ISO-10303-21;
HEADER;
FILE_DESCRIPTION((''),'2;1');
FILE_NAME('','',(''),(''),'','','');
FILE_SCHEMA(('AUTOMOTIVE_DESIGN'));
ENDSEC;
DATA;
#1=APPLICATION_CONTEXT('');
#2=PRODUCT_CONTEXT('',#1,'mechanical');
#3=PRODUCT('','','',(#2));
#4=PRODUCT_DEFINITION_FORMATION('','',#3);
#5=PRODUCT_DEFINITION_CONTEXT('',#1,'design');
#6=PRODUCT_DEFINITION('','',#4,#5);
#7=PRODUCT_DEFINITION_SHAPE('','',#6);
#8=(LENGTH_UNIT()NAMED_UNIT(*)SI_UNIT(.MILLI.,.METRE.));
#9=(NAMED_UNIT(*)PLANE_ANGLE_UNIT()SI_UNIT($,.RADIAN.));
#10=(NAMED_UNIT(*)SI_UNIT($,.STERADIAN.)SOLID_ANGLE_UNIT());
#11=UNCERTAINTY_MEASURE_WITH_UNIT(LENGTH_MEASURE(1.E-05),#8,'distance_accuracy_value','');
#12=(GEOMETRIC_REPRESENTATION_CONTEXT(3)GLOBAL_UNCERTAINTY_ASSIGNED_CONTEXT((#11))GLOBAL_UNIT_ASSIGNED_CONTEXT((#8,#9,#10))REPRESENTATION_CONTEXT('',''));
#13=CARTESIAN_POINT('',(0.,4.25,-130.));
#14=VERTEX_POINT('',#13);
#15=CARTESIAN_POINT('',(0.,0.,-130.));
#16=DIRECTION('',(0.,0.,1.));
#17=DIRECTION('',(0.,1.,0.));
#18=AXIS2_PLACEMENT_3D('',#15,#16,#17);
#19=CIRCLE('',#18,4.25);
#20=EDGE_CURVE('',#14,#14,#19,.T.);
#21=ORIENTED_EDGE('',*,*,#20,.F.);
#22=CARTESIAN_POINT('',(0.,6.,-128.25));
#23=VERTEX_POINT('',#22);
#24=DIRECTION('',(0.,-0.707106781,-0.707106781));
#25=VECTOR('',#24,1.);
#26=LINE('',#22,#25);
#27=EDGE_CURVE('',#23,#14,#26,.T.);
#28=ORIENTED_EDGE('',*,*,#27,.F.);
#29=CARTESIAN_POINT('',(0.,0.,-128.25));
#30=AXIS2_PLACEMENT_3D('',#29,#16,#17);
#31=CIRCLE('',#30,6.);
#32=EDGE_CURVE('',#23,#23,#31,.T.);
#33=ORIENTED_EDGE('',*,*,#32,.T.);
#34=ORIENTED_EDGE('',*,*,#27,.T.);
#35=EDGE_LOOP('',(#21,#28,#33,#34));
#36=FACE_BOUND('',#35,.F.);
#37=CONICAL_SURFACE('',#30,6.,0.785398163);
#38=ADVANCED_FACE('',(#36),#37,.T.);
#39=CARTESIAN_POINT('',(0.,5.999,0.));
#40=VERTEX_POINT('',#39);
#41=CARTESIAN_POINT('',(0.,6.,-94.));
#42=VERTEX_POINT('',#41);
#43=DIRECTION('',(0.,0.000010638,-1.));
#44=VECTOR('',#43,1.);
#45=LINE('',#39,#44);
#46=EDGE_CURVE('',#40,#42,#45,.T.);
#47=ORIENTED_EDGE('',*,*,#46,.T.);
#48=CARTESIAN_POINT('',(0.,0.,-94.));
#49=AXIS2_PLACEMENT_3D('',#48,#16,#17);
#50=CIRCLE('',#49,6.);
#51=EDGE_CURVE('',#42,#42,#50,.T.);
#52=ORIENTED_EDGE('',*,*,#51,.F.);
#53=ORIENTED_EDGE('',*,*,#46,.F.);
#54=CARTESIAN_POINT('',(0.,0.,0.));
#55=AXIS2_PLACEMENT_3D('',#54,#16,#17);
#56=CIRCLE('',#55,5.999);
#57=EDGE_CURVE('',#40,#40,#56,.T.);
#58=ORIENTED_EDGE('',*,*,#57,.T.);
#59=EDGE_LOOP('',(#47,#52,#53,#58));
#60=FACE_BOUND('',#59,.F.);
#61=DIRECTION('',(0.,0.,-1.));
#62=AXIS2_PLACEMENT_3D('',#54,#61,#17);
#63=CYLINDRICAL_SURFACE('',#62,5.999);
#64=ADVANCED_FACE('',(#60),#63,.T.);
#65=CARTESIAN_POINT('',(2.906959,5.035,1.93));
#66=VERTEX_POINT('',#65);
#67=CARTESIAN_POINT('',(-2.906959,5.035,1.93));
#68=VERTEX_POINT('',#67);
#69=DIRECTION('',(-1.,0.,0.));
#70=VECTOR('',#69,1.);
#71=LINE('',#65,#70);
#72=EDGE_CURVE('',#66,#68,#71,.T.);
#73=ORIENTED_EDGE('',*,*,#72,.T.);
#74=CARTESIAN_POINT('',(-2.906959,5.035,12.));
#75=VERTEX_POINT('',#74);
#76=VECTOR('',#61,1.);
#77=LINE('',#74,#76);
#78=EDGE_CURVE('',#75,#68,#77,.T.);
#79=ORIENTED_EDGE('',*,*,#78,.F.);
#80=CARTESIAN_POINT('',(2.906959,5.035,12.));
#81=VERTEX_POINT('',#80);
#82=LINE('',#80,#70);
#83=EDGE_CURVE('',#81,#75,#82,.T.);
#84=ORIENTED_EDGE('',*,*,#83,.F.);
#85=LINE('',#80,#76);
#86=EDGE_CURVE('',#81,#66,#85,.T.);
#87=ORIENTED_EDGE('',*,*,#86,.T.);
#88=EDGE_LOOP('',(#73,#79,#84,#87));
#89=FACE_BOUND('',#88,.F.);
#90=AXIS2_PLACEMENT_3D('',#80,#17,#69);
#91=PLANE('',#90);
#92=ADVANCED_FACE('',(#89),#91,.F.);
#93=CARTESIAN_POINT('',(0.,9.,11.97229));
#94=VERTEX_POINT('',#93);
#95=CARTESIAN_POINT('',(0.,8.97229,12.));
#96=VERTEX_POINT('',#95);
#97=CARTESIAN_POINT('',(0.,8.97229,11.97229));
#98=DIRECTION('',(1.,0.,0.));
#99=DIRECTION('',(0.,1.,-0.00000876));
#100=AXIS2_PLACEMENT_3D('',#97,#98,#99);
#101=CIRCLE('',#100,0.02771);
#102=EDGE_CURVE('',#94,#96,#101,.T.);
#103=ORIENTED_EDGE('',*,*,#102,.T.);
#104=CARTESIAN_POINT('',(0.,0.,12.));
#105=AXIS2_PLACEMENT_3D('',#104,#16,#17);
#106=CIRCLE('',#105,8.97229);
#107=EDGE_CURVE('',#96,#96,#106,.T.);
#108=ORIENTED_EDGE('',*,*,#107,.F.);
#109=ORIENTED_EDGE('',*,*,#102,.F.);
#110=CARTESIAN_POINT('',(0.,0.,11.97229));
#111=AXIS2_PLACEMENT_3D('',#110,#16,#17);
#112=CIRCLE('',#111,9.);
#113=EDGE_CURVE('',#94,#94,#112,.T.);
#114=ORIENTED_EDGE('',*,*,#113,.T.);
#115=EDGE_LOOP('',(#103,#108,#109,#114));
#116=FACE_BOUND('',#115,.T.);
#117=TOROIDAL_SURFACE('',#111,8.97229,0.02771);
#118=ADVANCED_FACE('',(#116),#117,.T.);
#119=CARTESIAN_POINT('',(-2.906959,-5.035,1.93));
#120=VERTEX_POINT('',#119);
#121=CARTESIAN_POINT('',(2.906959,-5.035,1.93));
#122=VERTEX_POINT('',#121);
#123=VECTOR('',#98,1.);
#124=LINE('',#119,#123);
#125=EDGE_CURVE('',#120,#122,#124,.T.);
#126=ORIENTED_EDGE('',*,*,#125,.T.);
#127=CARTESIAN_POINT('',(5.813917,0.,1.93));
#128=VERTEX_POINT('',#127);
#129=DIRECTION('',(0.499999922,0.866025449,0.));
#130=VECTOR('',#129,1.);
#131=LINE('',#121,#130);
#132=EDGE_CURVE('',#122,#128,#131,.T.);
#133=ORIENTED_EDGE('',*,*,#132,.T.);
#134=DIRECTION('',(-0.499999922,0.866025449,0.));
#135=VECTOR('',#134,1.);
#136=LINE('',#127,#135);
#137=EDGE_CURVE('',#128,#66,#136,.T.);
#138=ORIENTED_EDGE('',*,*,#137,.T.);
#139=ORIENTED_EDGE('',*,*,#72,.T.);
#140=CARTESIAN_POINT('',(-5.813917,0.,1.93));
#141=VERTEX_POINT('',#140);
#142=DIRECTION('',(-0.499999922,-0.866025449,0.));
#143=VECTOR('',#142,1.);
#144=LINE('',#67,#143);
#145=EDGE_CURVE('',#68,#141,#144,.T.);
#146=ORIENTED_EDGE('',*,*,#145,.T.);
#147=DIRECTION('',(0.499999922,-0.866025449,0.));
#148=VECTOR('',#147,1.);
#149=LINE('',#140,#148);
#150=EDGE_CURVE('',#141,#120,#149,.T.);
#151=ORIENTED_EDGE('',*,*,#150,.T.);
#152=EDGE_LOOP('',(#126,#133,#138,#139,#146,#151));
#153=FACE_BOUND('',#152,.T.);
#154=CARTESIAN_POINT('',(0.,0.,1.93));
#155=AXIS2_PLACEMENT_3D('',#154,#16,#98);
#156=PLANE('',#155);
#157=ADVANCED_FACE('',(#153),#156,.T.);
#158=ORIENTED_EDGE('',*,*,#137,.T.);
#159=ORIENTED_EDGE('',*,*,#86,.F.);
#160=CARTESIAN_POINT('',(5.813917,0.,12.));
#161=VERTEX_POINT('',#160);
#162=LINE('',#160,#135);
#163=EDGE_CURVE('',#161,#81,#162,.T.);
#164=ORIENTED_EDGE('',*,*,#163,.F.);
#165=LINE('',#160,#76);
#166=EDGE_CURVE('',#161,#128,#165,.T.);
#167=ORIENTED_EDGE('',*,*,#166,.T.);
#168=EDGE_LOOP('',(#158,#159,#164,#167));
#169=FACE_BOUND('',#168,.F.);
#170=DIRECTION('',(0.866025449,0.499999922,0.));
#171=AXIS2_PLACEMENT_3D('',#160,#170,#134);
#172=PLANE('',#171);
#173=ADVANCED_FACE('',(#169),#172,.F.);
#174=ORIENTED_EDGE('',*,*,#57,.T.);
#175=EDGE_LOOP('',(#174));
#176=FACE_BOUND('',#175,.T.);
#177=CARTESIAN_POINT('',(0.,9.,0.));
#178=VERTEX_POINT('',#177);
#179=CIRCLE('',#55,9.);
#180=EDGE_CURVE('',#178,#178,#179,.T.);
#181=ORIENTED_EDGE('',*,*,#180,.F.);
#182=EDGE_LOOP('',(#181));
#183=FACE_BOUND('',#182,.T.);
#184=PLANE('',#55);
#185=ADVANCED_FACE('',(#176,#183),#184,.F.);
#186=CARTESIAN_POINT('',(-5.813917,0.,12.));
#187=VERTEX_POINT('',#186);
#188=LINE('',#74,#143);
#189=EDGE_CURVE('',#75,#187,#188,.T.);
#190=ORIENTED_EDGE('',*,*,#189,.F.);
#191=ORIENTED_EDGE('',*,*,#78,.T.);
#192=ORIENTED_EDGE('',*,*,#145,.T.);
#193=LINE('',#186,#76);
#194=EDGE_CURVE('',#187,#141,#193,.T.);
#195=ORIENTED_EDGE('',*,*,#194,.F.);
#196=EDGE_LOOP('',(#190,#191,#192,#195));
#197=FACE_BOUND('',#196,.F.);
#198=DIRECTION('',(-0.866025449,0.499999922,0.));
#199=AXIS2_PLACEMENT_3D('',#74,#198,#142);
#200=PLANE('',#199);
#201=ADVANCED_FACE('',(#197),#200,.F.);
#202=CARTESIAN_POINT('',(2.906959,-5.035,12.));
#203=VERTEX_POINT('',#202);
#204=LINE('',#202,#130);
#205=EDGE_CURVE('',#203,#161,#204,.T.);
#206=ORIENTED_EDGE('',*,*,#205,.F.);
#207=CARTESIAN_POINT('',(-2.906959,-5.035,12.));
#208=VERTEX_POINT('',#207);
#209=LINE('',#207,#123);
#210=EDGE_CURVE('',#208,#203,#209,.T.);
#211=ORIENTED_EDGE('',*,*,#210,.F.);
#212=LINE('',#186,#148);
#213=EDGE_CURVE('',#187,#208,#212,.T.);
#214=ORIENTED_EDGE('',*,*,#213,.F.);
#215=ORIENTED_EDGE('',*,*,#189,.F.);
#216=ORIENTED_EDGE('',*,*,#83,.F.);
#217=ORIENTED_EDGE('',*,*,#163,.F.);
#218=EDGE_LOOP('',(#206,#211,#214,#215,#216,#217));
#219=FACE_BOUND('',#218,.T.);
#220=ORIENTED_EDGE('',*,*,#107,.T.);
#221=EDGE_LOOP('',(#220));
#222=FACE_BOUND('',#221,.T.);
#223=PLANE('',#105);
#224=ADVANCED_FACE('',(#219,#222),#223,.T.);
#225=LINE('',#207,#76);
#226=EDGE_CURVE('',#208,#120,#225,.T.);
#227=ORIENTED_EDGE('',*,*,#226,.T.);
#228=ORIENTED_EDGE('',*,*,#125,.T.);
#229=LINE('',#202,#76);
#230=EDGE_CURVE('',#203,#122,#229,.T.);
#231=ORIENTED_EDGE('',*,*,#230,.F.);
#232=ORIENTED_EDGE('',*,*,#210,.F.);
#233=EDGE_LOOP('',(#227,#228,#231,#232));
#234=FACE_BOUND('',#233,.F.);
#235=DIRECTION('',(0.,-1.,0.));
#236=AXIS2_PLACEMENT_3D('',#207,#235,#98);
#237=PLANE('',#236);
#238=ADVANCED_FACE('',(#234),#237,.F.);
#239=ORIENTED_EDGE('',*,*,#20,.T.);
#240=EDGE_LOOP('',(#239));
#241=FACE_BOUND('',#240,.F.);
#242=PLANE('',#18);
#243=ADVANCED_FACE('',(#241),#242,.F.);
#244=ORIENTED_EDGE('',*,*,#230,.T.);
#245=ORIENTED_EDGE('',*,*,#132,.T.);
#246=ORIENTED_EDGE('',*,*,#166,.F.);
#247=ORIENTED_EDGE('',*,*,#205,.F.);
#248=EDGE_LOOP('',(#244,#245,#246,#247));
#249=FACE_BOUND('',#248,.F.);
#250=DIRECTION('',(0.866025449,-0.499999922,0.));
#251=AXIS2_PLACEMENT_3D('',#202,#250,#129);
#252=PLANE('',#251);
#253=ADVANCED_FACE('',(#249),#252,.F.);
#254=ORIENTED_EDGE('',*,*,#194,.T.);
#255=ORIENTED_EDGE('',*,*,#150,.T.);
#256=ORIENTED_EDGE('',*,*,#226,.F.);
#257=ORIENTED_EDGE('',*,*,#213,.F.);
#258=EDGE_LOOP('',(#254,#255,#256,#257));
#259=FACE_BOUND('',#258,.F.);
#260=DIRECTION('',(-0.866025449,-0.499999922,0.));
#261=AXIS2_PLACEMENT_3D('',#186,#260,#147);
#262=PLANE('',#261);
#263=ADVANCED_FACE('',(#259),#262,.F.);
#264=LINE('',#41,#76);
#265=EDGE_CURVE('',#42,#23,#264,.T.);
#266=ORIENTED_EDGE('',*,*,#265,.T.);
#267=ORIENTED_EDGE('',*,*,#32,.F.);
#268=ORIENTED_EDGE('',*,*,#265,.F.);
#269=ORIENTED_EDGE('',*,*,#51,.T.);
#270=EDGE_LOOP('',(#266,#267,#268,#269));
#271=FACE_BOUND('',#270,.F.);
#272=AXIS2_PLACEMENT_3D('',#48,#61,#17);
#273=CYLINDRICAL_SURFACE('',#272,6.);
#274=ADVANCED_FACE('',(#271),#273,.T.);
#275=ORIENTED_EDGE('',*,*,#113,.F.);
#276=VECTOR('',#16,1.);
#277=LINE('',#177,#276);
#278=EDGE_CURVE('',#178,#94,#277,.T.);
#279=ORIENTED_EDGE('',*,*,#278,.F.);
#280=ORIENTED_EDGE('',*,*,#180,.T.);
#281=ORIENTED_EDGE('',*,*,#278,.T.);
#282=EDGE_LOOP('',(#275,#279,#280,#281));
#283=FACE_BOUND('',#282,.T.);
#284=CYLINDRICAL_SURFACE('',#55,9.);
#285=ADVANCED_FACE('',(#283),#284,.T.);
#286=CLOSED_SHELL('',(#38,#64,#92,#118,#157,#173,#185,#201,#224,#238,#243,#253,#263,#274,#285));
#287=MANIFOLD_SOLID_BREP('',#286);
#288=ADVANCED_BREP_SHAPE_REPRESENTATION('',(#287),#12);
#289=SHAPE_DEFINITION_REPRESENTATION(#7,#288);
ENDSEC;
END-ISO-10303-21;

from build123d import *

# Parameters (mm, degrees)
POCKET_DEPTH = 10.07


with BuildPart() as part:
    # Sketch → Revolve (revolve)
    with BuildSketch(Plane.YZ):
        with BuildLine():
            Line((5.999, 0), (9, 0))
            Line((9, 0), (9, 11.97229))
            ThreePointArc((9, 11.97229), (8.991884, 11.991884), (8.97229, 12))
            Line((8.97229, 12), (0, 12))
            Line((0, -130), (0, 12))
            Line((4.25, -130), (0, -130))
            Line((6, -128.25), (4.25, -130))
            Line((6, -94), (6, -128.25))
            Line((5.999, 0), (6, -94))
        make_face()
    revolve(axis=Axis((0, 0, 0), (0, 0, 1)))

    # Sketch001 → Pocket (cut)
    with BuildSketch(Plane.XY.offset(12)):
        Polygon((5.813917, 0), (2.906959, 5.035), (-2.906959, 5.035), (-5.813917, 0), (-2.906959, -5.035), (2.906959, -5.035), align=None)
    extrude(amount=-POCKET_DEPTH, mode=Mode.SUBTRACT)


solid = part.part
